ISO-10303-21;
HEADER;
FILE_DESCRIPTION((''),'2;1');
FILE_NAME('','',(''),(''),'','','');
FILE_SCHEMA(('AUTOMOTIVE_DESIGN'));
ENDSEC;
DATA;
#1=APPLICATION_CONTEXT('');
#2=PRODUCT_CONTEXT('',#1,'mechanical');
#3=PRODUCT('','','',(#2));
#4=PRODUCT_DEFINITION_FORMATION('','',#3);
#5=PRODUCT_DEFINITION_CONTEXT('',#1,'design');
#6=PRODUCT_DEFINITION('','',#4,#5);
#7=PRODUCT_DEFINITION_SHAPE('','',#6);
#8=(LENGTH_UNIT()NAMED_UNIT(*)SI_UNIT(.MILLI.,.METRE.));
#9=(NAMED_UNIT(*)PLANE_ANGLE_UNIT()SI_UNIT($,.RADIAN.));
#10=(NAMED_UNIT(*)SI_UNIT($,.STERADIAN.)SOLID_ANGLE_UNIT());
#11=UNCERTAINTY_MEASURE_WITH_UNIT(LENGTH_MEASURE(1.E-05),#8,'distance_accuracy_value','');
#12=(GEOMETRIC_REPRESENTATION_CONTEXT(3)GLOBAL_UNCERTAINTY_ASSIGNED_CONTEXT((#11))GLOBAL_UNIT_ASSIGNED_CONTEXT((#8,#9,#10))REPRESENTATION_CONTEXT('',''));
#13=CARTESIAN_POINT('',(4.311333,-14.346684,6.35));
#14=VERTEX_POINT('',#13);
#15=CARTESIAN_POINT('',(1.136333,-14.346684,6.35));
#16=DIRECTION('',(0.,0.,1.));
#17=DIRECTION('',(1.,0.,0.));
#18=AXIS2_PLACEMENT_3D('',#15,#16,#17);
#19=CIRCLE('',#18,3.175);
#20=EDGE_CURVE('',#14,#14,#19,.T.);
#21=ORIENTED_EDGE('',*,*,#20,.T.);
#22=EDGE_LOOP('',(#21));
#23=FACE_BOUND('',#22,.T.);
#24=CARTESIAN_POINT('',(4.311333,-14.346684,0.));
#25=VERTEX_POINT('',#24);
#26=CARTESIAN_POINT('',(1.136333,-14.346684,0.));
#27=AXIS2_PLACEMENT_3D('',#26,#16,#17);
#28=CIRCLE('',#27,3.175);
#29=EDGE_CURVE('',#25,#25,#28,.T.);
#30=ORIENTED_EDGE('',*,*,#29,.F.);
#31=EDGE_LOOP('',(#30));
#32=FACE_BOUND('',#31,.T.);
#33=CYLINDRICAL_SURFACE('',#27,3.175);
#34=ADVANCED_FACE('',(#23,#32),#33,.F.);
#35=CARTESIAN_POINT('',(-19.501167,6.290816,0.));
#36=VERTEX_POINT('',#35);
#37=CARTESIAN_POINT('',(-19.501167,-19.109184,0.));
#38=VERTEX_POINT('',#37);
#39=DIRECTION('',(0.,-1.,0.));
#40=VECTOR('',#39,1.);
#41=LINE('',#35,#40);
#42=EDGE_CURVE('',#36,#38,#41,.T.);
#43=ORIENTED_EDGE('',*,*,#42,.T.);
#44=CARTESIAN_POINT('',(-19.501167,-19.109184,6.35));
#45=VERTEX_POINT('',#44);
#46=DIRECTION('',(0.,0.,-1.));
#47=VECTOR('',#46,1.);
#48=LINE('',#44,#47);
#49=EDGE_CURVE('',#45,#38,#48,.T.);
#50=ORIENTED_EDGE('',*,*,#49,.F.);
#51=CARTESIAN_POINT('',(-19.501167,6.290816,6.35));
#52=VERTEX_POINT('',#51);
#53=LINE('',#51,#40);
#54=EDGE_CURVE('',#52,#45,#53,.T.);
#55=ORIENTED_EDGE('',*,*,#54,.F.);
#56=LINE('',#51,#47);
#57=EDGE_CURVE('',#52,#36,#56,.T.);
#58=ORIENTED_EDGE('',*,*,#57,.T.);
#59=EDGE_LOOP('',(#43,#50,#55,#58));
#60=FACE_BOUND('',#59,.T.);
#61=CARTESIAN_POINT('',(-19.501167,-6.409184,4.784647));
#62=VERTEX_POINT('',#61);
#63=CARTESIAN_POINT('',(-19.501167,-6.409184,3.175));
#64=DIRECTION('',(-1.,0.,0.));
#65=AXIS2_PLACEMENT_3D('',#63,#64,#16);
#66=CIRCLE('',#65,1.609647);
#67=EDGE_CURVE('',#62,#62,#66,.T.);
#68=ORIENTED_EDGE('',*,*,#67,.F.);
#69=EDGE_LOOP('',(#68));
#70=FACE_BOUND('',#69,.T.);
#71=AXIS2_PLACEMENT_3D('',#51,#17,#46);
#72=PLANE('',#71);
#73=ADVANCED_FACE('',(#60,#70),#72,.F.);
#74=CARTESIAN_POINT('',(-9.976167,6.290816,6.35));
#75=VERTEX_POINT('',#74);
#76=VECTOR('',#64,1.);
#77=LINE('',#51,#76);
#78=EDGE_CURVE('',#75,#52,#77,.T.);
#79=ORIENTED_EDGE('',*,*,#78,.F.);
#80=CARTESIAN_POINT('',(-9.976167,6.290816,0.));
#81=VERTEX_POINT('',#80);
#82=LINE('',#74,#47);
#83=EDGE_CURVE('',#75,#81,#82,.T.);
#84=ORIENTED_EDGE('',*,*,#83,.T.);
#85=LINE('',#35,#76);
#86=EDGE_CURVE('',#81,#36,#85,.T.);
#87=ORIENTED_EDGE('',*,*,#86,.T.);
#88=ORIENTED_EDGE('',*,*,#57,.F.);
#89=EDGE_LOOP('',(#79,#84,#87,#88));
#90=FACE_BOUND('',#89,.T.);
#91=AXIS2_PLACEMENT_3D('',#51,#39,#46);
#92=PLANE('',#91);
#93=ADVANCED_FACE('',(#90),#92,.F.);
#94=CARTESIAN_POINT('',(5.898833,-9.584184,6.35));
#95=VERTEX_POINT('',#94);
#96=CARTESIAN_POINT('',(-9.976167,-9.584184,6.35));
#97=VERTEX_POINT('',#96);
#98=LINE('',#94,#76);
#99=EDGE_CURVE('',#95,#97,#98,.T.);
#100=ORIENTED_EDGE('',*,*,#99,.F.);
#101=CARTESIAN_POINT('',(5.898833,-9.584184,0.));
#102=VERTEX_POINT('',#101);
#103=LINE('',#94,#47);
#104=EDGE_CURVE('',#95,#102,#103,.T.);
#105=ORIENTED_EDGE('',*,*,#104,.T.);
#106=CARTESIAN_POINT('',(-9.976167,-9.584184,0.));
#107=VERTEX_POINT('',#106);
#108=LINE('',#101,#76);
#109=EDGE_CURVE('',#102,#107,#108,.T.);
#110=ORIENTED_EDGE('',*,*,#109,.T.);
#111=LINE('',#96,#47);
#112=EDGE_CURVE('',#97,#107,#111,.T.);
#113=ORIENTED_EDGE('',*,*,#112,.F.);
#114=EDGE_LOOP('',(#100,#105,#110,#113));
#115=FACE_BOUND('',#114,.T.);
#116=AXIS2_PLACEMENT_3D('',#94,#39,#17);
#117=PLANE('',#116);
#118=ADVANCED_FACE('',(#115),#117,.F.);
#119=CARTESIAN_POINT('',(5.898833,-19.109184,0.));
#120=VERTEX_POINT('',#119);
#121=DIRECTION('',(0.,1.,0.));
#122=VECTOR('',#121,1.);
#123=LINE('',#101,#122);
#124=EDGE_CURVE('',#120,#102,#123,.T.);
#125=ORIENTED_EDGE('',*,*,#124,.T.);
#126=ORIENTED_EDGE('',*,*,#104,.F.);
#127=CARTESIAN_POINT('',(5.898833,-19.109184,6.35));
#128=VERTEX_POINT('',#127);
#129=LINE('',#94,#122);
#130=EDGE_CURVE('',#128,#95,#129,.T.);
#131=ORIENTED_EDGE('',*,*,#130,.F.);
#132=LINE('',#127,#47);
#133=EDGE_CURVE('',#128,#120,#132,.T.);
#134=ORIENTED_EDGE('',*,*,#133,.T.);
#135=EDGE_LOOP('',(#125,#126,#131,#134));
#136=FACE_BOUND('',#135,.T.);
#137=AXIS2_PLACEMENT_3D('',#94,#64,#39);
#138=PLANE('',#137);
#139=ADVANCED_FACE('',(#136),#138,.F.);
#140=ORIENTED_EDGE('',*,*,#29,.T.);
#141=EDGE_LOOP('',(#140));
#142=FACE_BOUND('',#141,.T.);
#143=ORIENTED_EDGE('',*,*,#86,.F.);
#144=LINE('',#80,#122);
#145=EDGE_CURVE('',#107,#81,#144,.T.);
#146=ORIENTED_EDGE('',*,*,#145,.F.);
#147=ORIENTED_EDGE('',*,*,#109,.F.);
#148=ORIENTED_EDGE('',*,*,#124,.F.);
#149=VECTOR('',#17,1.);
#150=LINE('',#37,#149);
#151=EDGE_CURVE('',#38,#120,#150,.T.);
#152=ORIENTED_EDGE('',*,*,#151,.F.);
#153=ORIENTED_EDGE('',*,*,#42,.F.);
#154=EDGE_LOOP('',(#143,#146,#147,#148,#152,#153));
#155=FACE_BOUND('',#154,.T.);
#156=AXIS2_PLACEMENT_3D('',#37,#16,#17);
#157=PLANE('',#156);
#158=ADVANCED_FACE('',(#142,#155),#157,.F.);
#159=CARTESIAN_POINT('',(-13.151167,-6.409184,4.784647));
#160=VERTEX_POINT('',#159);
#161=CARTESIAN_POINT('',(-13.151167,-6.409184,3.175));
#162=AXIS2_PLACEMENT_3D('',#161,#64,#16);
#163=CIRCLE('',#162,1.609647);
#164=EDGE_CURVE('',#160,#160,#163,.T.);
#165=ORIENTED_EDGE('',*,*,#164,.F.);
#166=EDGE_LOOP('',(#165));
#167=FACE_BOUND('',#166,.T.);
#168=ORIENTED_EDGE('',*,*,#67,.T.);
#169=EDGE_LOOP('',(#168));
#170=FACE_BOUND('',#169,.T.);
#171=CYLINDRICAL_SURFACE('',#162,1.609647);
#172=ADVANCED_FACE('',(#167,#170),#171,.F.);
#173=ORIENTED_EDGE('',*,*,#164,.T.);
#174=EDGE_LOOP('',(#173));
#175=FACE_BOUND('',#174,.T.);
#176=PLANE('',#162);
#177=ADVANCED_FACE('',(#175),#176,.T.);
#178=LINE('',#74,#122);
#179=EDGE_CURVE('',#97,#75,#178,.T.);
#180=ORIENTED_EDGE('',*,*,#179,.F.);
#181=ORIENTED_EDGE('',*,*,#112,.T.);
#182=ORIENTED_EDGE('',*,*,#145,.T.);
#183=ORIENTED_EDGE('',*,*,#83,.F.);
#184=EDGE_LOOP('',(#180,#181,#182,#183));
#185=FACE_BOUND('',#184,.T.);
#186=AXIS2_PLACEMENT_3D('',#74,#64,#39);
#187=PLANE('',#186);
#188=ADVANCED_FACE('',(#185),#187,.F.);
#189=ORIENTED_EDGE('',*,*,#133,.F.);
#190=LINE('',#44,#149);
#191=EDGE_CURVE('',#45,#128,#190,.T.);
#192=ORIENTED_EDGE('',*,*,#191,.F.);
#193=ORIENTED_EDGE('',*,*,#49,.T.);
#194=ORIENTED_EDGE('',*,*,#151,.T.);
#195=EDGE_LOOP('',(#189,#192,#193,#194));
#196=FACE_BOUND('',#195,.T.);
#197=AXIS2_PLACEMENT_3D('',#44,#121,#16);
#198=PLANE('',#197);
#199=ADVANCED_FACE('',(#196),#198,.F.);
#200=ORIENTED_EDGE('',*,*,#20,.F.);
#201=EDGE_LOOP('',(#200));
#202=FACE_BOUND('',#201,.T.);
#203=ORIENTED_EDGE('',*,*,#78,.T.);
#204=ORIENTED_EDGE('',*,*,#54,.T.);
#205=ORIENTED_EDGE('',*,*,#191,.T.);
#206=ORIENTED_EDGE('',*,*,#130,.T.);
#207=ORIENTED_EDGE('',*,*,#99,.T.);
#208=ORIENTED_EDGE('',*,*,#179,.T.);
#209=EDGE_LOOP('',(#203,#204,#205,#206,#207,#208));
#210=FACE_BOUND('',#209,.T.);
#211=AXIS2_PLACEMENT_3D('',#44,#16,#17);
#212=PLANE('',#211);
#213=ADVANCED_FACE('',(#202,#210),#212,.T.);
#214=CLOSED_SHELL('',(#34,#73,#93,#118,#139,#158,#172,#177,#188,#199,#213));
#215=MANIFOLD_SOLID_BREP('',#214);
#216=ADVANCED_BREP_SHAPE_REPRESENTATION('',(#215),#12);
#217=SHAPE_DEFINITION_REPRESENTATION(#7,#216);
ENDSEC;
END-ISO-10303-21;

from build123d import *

# Parameters (mm, degrees)
EXTRUDE1_DEPTH     = 6.35
SKETCH2_R          = 3.175
CUT_EXTRUDE1_DEPTH = 7.35
SKETCH3_R          = 1.609646759
CUT_EXTRUDE2_DEPTH = 6.35


with BuildPart() as part:
    # Sketch1 → Extrude1 (new body)
    with BuildSketch(Plane.XY):
        Polygon((-19.501167272, 6.290815989), (-9.976167272, 6.290815989), (-9.976167272, -9.584184011), (5.898832728, -9.584184011), (5.898832728, -19.109184011), (-19.501167272, -19.109184011), align=None)
    extrude(amount=EXTRUDE1_DEPTH)

    # Sketch2 → Cut-Extrude1 (cut, through all)
    with BuildSketch(Plane.XY.offset(6.35)):
        with Locations((1.136332728, -14.346684011)):
            Circle(SKETCH2_R)
    extrude(amount=-CUT_EXTRUDE1_DEPTH, mode=Mode.SUBTRACT)

    # Sketch3 → Cut-Extrude2 (cut)
    with BuildSketch(Plane.ZY.offset(19.501167272)):
        with Locations((3.175, -6.409184011)):
            Circle(SKETCH3_R)
    extrude(amount=-CUT_EXTRUDE2_DEPTH, mode=Mode.SUBTRACT)


solid = part.part
